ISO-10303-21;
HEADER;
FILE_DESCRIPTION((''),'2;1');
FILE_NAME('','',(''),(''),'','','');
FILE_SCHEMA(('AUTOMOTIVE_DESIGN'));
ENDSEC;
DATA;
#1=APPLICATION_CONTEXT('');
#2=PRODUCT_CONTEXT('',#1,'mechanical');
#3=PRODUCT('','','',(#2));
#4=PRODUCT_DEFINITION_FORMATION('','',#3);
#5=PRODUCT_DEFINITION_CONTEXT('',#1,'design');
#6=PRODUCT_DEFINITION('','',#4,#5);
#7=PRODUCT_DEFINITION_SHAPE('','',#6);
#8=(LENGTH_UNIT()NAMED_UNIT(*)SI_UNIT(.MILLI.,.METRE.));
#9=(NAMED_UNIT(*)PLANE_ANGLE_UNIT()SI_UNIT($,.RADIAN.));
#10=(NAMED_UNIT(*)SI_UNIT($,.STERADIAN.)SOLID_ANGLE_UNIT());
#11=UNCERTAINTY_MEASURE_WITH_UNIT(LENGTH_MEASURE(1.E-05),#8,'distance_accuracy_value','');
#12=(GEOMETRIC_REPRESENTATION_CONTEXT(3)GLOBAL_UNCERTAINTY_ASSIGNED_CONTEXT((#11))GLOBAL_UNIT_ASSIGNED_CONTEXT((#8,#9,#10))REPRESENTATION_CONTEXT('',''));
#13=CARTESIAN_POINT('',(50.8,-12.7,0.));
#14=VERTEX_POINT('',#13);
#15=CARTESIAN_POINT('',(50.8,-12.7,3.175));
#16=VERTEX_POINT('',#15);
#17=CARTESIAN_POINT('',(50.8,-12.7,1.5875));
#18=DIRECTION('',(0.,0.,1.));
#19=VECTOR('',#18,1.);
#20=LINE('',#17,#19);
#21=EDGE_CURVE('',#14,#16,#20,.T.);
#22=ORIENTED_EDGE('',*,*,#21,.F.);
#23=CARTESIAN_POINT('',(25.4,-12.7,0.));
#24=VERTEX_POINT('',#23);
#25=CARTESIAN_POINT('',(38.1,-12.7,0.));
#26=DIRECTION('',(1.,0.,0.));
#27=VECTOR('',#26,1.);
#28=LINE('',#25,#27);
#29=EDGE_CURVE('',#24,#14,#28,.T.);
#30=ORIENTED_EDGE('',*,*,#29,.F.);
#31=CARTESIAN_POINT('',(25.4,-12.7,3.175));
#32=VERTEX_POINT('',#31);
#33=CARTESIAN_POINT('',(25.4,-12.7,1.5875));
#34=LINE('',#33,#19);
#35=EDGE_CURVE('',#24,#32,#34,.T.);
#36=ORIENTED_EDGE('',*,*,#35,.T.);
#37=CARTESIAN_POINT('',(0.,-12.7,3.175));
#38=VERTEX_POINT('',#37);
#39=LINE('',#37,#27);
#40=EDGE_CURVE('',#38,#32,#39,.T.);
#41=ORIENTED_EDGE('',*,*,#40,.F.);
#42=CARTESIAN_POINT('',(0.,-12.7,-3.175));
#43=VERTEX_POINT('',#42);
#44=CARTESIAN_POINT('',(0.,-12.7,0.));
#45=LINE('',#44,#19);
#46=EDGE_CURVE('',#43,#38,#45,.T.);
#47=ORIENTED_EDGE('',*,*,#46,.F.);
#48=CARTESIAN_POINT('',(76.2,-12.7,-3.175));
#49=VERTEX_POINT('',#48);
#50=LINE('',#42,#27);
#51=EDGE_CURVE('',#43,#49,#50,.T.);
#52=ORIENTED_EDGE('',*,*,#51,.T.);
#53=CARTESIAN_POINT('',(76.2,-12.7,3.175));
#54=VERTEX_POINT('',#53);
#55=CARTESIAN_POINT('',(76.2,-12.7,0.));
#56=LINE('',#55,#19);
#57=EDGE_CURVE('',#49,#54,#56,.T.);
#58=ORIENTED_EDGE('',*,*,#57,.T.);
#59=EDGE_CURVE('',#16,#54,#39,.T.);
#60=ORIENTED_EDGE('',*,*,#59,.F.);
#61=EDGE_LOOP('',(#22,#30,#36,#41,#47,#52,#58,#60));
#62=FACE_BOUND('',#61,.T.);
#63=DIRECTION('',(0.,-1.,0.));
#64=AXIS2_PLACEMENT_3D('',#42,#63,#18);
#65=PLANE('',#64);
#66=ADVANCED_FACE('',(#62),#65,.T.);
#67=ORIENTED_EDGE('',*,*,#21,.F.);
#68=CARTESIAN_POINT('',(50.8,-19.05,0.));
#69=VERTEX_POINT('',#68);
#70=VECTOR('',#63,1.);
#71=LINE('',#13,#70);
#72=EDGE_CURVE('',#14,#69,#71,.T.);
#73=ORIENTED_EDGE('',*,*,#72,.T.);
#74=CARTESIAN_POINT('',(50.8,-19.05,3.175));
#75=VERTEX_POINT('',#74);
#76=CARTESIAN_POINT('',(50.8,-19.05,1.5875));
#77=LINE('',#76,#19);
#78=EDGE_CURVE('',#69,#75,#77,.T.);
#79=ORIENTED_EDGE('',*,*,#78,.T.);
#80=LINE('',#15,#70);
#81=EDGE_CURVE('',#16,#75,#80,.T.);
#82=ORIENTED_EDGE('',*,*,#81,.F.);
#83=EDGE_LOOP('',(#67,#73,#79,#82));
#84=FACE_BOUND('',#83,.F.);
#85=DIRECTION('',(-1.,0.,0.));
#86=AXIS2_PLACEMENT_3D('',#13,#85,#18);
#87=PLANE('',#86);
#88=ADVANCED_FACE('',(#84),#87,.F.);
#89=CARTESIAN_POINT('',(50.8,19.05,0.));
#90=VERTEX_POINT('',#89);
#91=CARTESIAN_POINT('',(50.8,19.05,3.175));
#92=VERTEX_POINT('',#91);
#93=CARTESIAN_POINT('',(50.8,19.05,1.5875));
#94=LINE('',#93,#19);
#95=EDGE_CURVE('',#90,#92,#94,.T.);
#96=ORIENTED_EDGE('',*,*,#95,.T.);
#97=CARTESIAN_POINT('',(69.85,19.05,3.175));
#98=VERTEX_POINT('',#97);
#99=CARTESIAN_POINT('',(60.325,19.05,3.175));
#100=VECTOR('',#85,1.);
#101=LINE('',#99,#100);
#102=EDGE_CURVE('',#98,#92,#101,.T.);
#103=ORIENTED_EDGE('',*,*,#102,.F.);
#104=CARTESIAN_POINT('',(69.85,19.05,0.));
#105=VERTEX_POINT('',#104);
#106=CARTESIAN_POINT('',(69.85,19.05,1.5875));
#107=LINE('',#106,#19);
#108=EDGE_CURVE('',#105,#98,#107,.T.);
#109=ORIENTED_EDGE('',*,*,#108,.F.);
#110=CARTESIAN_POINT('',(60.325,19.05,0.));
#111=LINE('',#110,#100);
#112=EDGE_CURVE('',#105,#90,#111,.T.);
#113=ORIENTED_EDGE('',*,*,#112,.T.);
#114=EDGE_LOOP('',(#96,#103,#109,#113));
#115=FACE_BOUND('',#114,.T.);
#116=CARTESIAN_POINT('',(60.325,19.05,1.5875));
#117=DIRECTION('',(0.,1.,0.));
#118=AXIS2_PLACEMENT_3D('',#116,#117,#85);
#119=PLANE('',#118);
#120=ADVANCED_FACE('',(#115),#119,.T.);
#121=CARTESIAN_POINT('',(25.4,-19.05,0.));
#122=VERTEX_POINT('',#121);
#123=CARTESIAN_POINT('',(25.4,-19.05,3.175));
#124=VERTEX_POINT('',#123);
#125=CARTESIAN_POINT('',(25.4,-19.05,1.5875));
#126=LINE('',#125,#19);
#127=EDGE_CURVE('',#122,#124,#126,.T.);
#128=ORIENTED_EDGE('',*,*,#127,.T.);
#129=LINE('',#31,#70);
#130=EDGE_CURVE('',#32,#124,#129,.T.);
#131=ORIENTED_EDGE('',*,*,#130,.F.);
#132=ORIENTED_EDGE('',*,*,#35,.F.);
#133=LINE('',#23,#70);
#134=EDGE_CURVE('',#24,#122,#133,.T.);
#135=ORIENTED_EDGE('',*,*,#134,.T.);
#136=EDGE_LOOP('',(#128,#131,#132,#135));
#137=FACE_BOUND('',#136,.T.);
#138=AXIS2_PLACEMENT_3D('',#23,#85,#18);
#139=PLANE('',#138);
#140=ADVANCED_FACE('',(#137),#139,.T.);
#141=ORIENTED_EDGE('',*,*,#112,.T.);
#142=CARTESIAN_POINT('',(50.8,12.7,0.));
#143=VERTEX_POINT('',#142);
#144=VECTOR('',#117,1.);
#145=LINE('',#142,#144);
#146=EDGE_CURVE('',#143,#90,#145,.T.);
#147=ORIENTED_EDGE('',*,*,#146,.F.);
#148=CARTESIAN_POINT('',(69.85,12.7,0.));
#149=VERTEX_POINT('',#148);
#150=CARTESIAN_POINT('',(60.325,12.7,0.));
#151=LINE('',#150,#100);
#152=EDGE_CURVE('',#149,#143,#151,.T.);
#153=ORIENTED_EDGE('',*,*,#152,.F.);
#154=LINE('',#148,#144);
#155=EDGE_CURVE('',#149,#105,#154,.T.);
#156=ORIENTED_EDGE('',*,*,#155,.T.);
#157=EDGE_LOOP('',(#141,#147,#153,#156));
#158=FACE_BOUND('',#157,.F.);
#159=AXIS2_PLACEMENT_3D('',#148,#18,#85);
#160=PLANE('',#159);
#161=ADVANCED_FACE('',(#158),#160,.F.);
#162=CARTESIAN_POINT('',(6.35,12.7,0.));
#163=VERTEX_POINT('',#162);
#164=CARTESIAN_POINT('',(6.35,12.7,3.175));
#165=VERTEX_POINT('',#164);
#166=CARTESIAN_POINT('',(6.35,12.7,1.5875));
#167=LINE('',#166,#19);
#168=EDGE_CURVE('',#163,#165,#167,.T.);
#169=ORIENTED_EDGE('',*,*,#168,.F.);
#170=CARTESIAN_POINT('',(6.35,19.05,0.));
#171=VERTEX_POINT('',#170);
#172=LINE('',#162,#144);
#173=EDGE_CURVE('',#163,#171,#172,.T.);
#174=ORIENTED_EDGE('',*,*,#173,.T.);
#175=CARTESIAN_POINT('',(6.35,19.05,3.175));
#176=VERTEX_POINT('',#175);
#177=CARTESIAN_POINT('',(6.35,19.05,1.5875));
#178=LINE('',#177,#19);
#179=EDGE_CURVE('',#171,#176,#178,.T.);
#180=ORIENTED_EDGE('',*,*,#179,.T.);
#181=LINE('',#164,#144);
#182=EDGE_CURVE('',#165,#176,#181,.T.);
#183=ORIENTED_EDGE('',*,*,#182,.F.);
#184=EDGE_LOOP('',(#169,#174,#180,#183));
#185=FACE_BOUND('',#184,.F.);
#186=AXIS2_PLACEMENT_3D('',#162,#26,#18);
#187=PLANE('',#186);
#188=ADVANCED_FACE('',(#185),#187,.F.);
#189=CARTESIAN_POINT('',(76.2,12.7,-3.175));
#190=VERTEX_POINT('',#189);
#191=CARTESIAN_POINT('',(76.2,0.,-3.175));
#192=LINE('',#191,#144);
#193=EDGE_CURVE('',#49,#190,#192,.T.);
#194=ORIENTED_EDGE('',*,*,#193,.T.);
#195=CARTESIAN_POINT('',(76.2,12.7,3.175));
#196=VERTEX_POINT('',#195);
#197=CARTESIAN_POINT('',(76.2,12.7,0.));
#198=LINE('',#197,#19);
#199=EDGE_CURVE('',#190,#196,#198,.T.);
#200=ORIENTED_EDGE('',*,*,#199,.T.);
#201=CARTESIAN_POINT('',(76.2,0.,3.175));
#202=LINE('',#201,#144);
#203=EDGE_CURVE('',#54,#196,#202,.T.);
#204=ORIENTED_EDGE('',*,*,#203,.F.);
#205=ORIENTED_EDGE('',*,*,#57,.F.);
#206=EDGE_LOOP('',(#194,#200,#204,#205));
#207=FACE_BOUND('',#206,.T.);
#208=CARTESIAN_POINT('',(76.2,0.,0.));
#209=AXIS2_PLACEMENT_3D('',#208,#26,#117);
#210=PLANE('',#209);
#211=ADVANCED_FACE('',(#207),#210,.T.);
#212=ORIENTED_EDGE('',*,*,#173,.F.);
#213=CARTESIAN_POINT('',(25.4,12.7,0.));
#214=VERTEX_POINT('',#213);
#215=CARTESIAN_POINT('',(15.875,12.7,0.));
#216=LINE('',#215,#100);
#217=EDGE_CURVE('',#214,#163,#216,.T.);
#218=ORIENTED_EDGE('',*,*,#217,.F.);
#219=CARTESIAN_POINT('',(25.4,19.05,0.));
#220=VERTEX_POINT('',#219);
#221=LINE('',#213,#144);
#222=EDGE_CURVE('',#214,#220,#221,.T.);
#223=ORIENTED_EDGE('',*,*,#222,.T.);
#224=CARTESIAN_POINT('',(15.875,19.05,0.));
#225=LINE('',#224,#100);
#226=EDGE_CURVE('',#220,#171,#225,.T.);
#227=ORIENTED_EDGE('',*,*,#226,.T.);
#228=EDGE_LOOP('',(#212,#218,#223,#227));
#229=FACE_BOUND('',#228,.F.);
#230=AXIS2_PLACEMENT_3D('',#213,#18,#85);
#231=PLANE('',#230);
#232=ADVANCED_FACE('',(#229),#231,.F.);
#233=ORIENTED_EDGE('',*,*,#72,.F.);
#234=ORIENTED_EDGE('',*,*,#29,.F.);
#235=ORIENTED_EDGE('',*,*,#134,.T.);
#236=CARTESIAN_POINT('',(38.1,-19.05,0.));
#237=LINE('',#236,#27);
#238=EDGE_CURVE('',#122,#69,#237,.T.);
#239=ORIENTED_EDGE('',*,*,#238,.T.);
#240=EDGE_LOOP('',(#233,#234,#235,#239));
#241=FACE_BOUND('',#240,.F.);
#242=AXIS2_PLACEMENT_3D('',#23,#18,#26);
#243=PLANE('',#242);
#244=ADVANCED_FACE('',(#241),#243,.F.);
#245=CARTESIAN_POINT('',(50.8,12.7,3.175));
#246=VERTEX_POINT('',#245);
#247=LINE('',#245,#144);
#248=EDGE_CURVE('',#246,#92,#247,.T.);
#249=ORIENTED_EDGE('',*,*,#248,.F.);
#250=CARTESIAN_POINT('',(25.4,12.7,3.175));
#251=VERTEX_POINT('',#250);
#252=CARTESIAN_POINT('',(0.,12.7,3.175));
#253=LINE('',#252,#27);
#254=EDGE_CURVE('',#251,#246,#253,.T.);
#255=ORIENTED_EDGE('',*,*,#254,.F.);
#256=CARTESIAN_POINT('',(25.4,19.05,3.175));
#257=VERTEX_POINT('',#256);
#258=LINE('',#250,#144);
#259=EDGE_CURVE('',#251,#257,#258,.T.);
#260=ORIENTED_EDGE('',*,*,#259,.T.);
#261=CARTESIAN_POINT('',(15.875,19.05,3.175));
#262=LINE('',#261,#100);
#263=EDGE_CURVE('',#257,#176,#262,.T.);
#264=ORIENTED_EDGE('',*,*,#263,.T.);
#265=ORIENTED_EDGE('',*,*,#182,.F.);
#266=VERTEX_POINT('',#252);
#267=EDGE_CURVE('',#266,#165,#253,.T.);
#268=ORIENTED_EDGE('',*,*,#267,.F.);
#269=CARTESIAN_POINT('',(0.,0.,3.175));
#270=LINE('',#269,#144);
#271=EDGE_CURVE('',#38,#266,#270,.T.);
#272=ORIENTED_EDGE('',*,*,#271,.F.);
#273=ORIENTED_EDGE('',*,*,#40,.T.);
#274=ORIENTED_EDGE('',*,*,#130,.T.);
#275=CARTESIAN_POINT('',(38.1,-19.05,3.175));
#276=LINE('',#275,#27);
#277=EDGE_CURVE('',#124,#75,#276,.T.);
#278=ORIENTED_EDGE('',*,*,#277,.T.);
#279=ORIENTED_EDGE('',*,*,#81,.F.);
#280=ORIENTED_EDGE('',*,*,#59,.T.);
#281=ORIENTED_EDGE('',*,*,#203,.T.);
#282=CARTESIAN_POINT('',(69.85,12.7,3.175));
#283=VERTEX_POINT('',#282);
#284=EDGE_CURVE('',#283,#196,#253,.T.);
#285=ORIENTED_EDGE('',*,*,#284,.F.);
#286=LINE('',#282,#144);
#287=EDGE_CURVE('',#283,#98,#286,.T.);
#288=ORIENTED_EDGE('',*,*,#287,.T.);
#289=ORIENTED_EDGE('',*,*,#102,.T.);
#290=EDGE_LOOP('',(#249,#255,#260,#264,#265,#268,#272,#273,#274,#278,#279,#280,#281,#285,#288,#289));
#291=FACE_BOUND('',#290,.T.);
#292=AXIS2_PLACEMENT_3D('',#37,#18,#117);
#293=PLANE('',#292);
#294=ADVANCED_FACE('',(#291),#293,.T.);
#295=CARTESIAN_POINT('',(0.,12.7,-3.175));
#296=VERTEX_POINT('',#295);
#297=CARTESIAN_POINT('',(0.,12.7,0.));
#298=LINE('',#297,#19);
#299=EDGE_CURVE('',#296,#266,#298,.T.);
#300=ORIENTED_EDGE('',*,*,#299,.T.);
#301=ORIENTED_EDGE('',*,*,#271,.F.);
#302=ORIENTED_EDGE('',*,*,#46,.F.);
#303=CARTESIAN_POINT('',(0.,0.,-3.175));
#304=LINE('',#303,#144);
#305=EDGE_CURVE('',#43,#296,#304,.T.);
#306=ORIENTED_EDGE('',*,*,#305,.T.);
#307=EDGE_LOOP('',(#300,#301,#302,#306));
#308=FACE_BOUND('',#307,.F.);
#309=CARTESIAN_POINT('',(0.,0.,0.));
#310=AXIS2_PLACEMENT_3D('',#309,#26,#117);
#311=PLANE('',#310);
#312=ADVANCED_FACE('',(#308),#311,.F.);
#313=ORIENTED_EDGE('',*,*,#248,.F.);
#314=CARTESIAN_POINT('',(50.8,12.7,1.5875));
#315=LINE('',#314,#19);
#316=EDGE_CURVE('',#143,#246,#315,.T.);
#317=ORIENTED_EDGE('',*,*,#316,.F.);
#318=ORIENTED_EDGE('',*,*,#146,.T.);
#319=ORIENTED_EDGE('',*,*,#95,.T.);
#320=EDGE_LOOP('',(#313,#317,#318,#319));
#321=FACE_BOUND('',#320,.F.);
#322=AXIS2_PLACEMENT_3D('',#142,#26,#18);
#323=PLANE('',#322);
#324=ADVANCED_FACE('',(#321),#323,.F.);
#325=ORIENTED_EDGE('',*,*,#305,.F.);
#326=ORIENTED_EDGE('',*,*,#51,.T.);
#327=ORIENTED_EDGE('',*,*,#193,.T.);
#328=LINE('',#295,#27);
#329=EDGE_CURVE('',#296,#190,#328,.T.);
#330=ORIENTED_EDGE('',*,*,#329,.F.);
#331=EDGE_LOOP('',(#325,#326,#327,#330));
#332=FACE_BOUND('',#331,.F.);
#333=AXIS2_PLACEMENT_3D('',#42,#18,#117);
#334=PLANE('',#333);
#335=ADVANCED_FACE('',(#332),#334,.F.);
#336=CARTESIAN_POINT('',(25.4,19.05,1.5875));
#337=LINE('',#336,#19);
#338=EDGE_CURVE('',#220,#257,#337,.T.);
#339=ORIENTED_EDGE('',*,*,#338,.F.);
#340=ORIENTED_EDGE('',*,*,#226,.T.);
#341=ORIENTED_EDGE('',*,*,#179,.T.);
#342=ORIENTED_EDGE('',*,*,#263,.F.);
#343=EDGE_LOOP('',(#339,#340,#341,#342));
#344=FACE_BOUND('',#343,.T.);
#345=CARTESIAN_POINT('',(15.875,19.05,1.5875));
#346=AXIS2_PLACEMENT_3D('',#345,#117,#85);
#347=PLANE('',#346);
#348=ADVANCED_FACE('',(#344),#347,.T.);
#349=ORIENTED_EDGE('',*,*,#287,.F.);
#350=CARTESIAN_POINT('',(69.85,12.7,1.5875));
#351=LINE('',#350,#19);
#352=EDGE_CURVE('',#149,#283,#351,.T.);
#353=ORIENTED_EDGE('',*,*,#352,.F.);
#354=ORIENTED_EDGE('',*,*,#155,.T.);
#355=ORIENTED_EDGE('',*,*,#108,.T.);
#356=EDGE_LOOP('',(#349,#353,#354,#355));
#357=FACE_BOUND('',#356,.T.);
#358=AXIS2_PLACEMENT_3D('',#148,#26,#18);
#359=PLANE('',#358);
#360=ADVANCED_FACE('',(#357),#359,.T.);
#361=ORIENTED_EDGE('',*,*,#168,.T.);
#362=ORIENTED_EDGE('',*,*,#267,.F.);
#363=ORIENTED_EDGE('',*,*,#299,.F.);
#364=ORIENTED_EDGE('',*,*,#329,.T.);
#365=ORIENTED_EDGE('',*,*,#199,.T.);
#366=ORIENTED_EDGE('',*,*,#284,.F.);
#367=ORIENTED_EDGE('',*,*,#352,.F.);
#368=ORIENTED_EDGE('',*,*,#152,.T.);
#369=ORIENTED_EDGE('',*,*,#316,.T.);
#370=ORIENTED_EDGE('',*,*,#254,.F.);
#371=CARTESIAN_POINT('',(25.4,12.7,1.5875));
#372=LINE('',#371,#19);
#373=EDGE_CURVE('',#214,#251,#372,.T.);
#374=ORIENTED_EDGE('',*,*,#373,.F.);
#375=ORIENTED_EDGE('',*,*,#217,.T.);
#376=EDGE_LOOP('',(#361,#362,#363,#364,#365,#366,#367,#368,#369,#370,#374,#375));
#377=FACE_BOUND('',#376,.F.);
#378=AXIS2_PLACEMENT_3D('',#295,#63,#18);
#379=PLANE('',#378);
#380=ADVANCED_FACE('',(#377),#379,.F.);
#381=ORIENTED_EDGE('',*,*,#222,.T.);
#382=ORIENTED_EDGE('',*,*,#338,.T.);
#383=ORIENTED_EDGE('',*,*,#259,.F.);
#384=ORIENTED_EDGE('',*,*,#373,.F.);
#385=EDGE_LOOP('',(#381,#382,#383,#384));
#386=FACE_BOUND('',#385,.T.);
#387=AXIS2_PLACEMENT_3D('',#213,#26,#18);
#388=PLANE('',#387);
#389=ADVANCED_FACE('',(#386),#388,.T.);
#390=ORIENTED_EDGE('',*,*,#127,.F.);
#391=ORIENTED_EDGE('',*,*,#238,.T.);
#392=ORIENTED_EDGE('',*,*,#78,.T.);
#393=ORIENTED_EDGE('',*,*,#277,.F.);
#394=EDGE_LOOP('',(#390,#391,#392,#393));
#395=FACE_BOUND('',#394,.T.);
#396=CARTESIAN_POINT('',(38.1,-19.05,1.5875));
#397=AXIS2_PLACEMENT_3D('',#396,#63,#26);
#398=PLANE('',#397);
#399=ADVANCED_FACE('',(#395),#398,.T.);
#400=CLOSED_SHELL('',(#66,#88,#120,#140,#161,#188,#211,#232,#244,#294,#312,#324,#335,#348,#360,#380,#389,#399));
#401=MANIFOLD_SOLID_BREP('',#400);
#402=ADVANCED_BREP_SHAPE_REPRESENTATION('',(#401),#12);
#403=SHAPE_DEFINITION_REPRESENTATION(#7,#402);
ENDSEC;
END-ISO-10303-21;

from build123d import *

# Parameters (mm, degrees)
F0_W     = 25.4
F0_H     = 6.35
F1_DEPTH = 76.2
F2_W     = 25.4
F2_H     = 3.175
F3_DEPTH = 6.35
F4_W     = 19.05
F4_H     = 3.175
F5_DEPTH = 6.35


with BuildPart() as f1:
    # F0 (on Right) → F1 (new body)
    with BuildSketch(Plane.YZ):
        Rectangle(F0_W, F0_H)
    extrude(amount=F1_DEPTH)

    # F2 (on face) → F3 (join)
    with BuildSketch(Plane.XZ.offset(12.7)):
        with Locations((38.1, 1.5875)):
            Rectangle(F2_W, F2_H)
    extrude(amount=F3_DEPTH)

    # F4 (on face) → F5 (join)
    with BuildSketch(Plane(origin=(0, 12.7, 0), x_dir=(-1, 0, 0), z_dir=(0, 1, 0))):
        with Locations((-60.325, 1.5875)):
            Rectangle(F4_W, F4_H)
        with Locations((-15.875, 1.5875)):
            Rectangle(F4_W, F4_H)
    extrude(amount=F5_DEPTH)


solid = f1.part
